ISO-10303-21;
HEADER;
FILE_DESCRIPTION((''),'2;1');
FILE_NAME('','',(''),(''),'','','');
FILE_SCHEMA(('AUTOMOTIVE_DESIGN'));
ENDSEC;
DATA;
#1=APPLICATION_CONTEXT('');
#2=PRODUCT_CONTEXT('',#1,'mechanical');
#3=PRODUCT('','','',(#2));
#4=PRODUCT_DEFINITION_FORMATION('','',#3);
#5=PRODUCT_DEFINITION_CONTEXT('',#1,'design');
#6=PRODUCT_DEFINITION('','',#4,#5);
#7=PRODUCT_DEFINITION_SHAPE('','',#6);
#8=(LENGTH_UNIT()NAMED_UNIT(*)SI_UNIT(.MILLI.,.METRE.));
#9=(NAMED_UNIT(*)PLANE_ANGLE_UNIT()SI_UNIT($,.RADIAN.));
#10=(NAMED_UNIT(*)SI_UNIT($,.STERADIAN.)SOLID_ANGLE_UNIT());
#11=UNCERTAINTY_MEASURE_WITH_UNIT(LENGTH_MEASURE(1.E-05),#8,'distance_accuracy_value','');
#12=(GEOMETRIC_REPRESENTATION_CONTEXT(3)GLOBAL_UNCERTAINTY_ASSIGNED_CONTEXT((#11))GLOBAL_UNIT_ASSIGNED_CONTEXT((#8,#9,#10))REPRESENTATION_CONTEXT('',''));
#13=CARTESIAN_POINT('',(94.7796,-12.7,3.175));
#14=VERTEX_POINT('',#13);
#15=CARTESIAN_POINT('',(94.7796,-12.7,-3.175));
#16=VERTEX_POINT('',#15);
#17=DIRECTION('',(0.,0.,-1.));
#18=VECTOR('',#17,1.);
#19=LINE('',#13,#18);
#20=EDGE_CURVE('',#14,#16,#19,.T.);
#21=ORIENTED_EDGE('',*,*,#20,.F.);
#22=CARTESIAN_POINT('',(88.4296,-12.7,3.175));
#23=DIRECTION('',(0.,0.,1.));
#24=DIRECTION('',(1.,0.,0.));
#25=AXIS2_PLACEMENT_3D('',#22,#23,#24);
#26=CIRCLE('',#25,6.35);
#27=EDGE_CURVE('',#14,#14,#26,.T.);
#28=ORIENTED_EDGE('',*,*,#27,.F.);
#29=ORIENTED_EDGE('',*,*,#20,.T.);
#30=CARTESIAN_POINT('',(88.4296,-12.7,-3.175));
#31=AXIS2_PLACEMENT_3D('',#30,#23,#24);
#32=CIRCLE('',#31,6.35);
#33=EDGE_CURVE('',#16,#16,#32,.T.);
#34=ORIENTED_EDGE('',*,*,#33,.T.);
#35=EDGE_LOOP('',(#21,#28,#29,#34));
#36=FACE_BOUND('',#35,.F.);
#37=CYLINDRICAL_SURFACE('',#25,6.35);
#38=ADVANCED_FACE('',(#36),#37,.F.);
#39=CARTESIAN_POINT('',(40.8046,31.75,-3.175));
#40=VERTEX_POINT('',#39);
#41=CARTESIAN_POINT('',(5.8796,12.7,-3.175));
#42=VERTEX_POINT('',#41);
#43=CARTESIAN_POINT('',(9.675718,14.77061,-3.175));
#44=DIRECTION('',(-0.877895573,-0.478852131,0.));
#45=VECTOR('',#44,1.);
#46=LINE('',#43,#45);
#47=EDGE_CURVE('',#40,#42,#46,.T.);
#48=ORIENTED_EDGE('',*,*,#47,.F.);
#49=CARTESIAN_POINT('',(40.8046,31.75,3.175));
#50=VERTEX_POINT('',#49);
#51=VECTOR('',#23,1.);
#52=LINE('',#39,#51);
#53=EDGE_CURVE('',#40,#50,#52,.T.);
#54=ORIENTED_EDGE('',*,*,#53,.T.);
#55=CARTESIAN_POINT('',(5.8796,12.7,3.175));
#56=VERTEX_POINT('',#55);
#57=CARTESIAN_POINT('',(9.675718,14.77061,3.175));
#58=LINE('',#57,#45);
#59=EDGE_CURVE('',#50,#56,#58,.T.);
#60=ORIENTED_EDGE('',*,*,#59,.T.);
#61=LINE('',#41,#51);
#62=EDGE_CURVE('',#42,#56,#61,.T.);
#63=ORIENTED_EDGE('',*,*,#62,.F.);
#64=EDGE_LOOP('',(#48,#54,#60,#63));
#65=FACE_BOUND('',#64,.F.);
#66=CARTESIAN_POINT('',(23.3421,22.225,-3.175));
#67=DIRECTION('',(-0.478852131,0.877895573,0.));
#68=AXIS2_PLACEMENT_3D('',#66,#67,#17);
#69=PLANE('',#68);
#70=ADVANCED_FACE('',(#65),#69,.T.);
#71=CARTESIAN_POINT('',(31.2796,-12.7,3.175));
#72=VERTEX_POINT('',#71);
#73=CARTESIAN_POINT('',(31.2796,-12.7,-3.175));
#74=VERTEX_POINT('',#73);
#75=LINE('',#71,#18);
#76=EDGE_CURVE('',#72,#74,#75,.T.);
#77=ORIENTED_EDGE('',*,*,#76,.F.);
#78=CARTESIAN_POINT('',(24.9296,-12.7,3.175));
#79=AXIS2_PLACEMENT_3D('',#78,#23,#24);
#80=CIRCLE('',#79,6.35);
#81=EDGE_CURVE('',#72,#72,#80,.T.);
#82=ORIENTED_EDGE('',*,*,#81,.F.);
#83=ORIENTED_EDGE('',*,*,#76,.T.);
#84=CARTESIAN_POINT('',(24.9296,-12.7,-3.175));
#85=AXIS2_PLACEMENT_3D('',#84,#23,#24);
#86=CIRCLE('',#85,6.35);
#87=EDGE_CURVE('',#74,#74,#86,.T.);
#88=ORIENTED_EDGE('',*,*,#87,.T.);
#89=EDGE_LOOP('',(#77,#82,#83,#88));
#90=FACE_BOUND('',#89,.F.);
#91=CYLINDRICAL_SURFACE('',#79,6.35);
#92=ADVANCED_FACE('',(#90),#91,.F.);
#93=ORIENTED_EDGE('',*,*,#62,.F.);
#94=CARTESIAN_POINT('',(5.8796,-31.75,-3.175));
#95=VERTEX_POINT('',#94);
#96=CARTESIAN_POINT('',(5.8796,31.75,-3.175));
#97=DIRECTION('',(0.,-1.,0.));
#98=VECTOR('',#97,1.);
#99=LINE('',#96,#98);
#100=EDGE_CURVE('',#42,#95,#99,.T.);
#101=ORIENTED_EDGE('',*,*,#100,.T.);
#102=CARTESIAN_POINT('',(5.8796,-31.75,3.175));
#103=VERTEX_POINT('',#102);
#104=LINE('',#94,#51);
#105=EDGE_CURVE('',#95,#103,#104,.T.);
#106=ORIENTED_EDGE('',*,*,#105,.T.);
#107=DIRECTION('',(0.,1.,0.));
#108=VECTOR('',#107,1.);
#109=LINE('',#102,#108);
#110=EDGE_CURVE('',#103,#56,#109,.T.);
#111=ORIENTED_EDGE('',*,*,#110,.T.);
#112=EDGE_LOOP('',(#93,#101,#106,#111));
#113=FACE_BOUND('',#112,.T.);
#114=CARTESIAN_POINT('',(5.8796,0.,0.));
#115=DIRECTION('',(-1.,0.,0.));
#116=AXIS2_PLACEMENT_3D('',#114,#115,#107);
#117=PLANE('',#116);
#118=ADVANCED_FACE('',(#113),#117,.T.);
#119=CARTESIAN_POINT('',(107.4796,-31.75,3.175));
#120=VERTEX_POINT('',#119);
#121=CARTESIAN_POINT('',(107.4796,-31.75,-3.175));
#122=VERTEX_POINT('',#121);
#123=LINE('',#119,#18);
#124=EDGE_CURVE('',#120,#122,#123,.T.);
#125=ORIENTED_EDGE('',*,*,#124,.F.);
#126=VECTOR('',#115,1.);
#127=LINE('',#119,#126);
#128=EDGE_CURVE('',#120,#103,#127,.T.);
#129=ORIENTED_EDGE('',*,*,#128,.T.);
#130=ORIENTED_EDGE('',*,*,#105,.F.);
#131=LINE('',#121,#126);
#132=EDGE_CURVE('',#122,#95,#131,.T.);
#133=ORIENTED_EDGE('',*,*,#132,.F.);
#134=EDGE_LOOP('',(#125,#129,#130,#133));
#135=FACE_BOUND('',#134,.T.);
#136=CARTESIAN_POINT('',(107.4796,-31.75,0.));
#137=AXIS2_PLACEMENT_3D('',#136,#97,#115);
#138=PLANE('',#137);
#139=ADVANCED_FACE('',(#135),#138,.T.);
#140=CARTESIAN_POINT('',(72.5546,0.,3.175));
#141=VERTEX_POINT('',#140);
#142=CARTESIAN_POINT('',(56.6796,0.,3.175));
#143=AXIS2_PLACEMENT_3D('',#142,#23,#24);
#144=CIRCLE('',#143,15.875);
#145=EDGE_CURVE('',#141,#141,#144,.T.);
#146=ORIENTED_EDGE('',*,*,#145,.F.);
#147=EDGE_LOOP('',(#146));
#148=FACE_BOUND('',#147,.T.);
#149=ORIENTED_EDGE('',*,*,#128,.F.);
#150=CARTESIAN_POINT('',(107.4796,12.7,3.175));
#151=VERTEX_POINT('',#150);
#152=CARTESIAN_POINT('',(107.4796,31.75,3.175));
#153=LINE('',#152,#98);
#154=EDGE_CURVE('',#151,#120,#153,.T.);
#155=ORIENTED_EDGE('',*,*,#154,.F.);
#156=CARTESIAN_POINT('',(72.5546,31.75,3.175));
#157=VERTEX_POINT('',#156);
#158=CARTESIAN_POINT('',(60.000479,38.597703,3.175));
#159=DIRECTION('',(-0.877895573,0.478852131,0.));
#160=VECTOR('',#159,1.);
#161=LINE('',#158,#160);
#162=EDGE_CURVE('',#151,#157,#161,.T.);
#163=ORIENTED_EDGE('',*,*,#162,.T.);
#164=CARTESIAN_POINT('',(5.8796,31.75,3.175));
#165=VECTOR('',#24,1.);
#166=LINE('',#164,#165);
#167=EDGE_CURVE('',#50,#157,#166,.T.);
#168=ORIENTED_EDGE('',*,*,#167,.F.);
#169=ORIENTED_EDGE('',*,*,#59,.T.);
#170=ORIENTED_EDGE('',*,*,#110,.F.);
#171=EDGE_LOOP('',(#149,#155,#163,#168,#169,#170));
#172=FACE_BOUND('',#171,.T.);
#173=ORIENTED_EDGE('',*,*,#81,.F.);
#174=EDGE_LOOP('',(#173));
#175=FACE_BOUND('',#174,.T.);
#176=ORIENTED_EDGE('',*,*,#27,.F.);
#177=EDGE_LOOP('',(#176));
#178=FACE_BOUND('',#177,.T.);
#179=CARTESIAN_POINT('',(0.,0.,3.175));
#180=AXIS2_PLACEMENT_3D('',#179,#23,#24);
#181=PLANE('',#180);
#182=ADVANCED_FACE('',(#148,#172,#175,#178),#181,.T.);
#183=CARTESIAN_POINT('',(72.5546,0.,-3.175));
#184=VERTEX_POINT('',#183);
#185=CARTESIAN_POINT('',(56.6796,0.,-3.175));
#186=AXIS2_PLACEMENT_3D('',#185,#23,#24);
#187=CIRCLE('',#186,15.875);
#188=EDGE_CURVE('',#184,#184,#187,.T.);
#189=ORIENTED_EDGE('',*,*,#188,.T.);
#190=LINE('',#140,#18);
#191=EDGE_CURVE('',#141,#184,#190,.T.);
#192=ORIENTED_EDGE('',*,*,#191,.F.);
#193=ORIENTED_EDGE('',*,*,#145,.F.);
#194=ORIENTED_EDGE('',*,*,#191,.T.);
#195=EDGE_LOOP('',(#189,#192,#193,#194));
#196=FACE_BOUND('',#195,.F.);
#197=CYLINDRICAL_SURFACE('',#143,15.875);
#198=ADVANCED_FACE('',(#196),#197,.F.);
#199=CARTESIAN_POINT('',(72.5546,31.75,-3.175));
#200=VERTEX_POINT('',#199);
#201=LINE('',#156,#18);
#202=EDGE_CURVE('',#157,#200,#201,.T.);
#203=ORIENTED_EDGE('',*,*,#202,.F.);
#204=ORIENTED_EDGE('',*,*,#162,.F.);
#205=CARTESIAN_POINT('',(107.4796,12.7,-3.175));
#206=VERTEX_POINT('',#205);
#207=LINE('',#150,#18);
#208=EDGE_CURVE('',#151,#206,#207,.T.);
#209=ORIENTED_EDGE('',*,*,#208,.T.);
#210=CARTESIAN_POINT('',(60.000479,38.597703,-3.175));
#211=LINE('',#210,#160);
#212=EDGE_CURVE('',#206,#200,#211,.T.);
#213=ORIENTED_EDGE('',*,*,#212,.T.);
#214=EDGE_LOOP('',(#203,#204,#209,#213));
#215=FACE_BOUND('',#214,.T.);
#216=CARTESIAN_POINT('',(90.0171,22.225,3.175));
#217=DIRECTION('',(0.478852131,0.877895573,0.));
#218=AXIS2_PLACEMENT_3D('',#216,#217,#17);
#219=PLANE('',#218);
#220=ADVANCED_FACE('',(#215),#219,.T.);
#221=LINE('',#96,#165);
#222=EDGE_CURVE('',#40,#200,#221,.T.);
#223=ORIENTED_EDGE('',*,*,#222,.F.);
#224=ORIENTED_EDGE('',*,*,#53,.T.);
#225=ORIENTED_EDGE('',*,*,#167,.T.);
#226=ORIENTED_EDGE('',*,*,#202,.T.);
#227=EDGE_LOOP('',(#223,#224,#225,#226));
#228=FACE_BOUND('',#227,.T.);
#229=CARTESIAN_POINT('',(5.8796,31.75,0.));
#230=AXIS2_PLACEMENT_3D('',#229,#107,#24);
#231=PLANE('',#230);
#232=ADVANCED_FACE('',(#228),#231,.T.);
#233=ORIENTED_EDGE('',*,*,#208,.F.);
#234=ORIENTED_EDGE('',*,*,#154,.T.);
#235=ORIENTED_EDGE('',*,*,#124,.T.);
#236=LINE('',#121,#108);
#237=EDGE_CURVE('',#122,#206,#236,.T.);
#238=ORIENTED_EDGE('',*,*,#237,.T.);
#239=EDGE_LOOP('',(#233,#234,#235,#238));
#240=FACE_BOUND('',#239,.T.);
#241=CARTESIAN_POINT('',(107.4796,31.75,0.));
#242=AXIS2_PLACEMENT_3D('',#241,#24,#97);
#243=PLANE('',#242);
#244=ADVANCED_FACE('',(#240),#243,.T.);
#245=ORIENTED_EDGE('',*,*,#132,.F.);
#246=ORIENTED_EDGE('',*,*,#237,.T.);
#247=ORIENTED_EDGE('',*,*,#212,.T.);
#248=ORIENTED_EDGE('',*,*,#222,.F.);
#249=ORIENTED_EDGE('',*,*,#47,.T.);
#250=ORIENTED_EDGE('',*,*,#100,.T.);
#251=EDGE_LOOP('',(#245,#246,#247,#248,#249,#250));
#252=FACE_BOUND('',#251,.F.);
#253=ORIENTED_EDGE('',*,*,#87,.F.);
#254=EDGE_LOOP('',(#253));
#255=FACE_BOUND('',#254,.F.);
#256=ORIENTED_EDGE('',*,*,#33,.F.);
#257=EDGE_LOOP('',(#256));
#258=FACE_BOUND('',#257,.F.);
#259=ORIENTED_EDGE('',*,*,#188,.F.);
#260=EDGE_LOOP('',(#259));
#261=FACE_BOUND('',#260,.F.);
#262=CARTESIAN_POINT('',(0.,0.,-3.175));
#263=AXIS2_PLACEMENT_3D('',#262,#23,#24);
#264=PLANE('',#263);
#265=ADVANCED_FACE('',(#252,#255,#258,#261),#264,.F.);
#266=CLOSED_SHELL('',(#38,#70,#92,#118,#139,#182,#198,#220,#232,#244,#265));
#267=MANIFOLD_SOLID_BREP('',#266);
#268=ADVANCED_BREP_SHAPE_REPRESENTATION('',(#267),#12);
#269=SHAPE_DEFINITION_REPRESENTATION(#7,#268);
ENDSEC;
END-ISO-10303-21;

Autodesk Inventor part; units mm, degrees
sketch "Sketch1" plane through (0, 0, 0) normal (0, 0, 1) x (1, 0, 0)
  line L0 (5.8796, 31.75) -> (107.4796, 31.75)
  line L1 (107.4796, 31.75) -> (107.4796, -31.75)
  line L2 (107.4796, -31.75) -> (5.8796, -31.75)
  line L3 (5.8796, -31.75) -> (5.8796, 31.75)
  line L4 (-21.4959, 0) -> (128.9756, 0) projected
  point P0 (0, 0)
  dimension "d0" = 63.5
  dimension "d1" = 101.6
  dimension "d2" = 31.75
extrude "Extrusion1" add sketch "Sketch1" along normal mid plane 6.35
sketch "Sketch2" plane through (0, 0, 3.175) normal (0, 0, 1) x (1, 0, 0)
  circle A0 centre (56.6796, 0) radius 15.875
  circle A1 centre (24.9296, -12.7) radius 6.35
  line L0 (5.8796, -31.75) -> (107.4796, -31.75) projected
  line L1 (5.8796, 31.75) -> (5.8796, -31.75) projected
  circle A2 centre (88.4296, -12.7) radius 6.35
  line L2 (107.4796, -31.75) -> (107.4796, 31.75) projected
  line L3 (107.4796, 31.75) -> (5.8796, 31.75) projected
  point P0 (0, 0)
  dimension "d5" = 31.75
  dimension "d6" = 12.7
  dimension "d8" = 19.05
  dimension "d9" = 19.05
  dimension "d10" = 12.7
  dimension "d11" = 19.05
  dimension "d12" = 19.05
  dimension "d13" = 31.75
  dimension "d14" = 50.8
extrude "Extrusion2" cut sketch "Sketch2" against normal up to surface (6.35 mm away) contours A0 | A1 | A2
chamfer "Chamfer1" distance 19.05 distance2 34.925 1 edges at (107.4796, 31.75, 0) measured on face at (107.4796, 10.5833, 1.0583)
chamfer "Chamfer2" distance 34.925 distance2 19.05 1 edges at (5.8796, 31.75, 0) measured on face at (50.3296, 31.75, 1.0583)
equation "\"d2\" = 0.5 * d0"
equation "\"d9\" = d8"
equation "\"d11\" = d8"
equation "\"d12\" = d8"
properties part number "chap2ex3"
